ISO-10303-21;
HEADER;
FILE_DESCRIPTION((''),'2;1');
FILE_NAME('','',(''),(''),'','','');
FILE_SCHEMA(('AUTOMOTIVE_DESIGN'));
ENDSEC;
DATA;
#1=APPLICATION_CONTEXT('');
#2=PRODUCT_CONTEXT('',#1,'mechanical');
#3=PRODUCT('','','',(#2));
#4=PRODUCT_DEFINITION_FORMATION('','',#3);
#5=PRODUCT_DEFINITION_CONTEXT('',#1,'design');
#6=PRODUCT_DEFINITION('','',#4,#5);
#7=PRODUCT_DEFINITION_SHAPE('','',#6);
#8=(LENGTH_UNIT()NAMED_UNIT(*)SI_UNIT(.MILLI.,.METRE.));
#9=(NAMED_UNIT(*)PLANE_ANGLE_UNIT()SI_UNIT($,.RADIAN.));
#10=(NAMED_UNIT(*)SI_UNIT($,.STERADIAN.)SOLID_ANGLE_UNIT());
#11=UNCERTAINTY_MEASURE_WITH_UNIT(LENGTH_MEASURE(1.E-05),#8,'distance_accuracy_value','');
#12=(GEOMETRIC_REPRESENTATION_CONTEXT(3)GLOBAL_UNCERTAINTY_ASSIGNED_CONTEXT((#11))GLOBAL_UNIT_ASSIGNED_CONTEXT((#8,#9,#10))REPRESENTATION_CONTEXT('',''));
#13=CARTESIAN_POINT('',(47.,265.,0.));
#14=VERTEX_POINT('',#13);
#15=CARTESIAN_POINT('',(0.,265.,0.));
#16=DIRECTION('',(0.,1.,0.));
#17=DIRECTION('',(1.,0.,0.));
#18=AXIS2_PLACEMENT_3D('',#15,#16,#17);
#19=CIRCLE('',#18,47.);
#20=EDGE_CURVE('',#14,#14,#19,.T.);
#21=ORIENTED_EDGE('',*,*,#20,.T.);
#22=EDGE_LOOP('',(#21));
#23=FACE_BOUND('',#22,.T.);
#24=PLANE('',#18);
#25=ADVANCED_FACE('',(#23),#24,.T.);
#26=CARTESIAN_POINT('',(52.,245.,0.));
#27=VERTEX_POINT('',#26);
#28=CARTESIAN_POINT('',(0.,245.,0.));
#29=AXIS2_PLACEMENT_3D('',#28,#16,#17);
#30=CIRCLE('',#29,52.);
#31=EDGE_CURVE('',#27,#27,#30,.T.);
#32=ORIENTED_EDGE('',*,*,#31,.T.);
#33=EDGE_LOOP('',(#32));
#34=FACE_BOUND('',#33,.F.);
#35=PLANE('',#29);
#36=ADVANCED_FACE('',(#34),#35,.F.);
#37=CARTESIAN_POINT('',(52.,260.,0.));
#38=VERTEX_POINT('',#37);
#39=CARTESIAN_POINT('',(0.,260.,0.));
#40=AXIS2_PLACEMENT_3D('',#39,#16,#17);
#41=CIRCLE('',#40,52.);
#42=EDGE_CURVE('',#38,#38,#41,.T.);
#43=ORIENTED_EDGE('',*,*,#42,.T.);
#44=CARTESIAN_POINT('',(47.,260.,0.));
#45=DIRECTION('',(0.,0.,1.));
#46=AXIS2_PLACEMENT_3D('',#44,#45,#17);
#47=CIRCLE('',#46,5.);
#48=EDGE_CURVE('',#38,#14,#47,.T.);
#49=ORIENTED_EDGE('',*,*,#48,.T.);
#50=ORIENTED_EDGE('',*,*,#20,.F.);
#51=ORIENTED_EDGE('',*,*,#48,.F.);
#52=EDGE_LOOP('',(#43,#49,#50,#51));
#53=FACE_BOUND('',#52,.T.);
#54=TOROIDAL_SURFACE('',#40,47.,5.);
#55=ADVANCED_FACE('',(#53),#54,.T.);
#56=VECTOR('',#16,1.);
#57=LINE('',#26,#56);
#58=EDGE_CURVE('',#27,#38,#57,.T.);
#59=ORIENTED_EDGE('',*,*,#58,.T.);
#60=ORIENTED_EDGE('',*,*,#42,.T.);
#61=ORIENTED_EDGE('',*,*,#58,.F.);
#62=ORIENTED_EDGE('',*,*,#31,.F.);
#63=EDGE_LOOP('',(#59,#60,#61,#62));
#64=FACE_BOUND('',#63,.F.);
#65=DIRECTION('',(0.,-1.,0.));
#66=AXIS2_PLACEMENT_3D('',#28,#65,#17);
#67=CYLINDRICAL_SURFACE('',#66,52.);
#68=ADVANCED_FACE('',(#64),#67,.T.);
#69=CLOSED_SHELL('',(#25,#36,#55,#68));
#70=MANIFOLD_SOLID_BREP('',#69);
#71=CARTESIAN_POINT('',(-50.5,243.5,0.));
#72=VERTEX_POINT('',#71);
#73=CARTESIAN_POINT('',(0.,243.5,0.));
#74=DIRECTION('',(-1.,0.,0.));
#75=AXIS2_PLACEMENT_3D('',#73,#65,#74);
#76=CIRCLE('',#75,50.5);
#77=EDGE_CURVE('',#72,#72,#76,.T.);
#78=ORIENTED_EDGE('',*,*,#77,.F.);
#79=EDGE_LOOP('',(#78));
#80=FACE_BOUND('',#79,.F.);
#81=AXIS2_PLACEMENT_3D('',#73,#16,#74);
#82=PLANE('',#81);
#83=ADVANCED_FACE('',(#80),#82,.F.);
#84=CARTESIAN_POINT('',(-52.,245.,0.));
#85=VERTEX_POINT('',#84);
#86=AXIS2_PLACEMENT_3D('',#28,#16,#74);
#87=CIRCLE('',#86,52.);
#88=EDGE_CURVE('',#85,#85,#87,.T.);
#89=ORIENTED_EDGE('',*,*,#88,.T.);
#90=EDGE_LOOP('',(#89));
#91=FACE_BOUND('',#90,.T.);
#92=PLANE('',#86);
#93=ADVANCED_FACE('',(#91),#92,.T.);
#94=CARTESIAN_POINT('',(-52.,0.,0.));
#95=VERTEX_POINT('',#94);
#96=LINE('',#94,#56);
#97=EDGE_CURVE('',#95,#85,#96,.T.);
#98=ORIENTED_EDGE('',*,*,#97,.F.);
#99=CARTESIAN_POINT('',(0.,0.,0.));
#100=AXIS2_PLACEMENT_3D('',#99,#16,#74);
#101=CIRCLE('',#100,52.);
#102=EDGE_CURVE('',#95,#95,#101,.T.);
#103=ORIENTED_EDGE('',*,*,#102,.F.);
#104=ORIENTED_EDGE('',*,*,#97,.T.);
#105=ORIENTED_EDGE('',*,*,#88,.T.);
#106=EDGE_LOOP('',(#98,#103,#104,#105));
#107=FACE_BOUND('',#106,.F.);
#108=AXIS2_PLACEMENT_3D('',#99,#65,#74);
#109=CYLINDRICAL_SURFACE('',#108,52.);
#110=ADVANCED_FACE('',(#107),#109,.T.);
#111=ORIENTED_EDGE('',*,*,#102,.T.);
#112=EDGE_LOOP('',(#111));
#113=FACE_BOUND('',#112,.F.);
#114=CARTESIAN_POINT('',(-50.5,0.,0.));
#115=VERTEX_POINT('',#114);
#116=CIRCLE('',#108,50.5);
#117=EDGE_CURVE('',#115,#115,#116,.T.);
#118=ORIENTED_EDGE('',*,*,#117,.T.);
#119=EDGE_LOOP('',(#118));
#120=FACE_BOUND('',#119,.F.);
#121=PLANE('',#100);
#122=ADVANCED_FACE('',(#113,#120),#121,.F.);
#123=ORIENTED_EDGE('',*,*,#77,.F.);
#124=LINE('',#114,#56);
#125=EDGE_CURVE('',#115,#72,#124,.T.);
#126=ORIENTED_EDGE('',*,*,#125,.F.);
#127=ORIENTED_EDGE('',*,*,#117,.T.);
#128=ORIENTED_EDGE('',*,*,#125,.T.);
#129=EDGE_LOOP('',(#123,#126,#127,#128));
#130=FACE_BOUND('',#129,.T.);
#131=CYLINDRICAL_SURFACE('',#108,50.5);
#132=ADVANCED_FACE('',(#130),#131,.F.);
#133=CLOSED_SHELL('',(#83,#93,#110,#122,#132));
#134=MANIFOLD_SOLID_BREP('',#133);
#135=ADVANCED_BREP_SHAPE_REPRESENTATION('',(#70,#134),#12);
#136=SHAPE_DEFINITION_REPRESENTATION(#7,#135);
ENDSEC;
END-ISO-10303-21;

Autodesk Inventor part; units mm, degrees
ref_plane "YZ Plane" through (0, 0, 0) normal (1, 0, 0) x (0, 1, 0)
ref_plane "XZ Plane" through (0, 0, 0) normal (0, 1, 0) x (-1, 0, 0)
ref_plane "XY Plane" through (0, 0, 0) normal (0, 0, 1) x (1, 0, 0)
sketch "Sketch1" plane through (0, 0, 0) normal (0, 1, 0) x (-1, 0, 0)
  circle A0 centre (0, 0) radius 52
  dimension "d0" = 104
extrude "Extrusion1" add sketch "Sketch1" along normal blind 245
shell "Shell1" thickness 1.5 removed faces 1 at (-18.5271, 0, 25.061)
sketch "Sketch2" plane through (0, 245, 0) normal (0, 1, 0) x (1, 0, 0)
  circle A0 centre (0, 0) radius 52 projected
  circle A1 centre (0, 0) radius 52
extrude "Extrusion2" add sketch "Sketch2" along normal blind 20 separate body
fillet "Fillet1" radius 5 1 edges at (-52, 265, 0)
properties part number "Jar" material "Polycarbonate, Clear"
